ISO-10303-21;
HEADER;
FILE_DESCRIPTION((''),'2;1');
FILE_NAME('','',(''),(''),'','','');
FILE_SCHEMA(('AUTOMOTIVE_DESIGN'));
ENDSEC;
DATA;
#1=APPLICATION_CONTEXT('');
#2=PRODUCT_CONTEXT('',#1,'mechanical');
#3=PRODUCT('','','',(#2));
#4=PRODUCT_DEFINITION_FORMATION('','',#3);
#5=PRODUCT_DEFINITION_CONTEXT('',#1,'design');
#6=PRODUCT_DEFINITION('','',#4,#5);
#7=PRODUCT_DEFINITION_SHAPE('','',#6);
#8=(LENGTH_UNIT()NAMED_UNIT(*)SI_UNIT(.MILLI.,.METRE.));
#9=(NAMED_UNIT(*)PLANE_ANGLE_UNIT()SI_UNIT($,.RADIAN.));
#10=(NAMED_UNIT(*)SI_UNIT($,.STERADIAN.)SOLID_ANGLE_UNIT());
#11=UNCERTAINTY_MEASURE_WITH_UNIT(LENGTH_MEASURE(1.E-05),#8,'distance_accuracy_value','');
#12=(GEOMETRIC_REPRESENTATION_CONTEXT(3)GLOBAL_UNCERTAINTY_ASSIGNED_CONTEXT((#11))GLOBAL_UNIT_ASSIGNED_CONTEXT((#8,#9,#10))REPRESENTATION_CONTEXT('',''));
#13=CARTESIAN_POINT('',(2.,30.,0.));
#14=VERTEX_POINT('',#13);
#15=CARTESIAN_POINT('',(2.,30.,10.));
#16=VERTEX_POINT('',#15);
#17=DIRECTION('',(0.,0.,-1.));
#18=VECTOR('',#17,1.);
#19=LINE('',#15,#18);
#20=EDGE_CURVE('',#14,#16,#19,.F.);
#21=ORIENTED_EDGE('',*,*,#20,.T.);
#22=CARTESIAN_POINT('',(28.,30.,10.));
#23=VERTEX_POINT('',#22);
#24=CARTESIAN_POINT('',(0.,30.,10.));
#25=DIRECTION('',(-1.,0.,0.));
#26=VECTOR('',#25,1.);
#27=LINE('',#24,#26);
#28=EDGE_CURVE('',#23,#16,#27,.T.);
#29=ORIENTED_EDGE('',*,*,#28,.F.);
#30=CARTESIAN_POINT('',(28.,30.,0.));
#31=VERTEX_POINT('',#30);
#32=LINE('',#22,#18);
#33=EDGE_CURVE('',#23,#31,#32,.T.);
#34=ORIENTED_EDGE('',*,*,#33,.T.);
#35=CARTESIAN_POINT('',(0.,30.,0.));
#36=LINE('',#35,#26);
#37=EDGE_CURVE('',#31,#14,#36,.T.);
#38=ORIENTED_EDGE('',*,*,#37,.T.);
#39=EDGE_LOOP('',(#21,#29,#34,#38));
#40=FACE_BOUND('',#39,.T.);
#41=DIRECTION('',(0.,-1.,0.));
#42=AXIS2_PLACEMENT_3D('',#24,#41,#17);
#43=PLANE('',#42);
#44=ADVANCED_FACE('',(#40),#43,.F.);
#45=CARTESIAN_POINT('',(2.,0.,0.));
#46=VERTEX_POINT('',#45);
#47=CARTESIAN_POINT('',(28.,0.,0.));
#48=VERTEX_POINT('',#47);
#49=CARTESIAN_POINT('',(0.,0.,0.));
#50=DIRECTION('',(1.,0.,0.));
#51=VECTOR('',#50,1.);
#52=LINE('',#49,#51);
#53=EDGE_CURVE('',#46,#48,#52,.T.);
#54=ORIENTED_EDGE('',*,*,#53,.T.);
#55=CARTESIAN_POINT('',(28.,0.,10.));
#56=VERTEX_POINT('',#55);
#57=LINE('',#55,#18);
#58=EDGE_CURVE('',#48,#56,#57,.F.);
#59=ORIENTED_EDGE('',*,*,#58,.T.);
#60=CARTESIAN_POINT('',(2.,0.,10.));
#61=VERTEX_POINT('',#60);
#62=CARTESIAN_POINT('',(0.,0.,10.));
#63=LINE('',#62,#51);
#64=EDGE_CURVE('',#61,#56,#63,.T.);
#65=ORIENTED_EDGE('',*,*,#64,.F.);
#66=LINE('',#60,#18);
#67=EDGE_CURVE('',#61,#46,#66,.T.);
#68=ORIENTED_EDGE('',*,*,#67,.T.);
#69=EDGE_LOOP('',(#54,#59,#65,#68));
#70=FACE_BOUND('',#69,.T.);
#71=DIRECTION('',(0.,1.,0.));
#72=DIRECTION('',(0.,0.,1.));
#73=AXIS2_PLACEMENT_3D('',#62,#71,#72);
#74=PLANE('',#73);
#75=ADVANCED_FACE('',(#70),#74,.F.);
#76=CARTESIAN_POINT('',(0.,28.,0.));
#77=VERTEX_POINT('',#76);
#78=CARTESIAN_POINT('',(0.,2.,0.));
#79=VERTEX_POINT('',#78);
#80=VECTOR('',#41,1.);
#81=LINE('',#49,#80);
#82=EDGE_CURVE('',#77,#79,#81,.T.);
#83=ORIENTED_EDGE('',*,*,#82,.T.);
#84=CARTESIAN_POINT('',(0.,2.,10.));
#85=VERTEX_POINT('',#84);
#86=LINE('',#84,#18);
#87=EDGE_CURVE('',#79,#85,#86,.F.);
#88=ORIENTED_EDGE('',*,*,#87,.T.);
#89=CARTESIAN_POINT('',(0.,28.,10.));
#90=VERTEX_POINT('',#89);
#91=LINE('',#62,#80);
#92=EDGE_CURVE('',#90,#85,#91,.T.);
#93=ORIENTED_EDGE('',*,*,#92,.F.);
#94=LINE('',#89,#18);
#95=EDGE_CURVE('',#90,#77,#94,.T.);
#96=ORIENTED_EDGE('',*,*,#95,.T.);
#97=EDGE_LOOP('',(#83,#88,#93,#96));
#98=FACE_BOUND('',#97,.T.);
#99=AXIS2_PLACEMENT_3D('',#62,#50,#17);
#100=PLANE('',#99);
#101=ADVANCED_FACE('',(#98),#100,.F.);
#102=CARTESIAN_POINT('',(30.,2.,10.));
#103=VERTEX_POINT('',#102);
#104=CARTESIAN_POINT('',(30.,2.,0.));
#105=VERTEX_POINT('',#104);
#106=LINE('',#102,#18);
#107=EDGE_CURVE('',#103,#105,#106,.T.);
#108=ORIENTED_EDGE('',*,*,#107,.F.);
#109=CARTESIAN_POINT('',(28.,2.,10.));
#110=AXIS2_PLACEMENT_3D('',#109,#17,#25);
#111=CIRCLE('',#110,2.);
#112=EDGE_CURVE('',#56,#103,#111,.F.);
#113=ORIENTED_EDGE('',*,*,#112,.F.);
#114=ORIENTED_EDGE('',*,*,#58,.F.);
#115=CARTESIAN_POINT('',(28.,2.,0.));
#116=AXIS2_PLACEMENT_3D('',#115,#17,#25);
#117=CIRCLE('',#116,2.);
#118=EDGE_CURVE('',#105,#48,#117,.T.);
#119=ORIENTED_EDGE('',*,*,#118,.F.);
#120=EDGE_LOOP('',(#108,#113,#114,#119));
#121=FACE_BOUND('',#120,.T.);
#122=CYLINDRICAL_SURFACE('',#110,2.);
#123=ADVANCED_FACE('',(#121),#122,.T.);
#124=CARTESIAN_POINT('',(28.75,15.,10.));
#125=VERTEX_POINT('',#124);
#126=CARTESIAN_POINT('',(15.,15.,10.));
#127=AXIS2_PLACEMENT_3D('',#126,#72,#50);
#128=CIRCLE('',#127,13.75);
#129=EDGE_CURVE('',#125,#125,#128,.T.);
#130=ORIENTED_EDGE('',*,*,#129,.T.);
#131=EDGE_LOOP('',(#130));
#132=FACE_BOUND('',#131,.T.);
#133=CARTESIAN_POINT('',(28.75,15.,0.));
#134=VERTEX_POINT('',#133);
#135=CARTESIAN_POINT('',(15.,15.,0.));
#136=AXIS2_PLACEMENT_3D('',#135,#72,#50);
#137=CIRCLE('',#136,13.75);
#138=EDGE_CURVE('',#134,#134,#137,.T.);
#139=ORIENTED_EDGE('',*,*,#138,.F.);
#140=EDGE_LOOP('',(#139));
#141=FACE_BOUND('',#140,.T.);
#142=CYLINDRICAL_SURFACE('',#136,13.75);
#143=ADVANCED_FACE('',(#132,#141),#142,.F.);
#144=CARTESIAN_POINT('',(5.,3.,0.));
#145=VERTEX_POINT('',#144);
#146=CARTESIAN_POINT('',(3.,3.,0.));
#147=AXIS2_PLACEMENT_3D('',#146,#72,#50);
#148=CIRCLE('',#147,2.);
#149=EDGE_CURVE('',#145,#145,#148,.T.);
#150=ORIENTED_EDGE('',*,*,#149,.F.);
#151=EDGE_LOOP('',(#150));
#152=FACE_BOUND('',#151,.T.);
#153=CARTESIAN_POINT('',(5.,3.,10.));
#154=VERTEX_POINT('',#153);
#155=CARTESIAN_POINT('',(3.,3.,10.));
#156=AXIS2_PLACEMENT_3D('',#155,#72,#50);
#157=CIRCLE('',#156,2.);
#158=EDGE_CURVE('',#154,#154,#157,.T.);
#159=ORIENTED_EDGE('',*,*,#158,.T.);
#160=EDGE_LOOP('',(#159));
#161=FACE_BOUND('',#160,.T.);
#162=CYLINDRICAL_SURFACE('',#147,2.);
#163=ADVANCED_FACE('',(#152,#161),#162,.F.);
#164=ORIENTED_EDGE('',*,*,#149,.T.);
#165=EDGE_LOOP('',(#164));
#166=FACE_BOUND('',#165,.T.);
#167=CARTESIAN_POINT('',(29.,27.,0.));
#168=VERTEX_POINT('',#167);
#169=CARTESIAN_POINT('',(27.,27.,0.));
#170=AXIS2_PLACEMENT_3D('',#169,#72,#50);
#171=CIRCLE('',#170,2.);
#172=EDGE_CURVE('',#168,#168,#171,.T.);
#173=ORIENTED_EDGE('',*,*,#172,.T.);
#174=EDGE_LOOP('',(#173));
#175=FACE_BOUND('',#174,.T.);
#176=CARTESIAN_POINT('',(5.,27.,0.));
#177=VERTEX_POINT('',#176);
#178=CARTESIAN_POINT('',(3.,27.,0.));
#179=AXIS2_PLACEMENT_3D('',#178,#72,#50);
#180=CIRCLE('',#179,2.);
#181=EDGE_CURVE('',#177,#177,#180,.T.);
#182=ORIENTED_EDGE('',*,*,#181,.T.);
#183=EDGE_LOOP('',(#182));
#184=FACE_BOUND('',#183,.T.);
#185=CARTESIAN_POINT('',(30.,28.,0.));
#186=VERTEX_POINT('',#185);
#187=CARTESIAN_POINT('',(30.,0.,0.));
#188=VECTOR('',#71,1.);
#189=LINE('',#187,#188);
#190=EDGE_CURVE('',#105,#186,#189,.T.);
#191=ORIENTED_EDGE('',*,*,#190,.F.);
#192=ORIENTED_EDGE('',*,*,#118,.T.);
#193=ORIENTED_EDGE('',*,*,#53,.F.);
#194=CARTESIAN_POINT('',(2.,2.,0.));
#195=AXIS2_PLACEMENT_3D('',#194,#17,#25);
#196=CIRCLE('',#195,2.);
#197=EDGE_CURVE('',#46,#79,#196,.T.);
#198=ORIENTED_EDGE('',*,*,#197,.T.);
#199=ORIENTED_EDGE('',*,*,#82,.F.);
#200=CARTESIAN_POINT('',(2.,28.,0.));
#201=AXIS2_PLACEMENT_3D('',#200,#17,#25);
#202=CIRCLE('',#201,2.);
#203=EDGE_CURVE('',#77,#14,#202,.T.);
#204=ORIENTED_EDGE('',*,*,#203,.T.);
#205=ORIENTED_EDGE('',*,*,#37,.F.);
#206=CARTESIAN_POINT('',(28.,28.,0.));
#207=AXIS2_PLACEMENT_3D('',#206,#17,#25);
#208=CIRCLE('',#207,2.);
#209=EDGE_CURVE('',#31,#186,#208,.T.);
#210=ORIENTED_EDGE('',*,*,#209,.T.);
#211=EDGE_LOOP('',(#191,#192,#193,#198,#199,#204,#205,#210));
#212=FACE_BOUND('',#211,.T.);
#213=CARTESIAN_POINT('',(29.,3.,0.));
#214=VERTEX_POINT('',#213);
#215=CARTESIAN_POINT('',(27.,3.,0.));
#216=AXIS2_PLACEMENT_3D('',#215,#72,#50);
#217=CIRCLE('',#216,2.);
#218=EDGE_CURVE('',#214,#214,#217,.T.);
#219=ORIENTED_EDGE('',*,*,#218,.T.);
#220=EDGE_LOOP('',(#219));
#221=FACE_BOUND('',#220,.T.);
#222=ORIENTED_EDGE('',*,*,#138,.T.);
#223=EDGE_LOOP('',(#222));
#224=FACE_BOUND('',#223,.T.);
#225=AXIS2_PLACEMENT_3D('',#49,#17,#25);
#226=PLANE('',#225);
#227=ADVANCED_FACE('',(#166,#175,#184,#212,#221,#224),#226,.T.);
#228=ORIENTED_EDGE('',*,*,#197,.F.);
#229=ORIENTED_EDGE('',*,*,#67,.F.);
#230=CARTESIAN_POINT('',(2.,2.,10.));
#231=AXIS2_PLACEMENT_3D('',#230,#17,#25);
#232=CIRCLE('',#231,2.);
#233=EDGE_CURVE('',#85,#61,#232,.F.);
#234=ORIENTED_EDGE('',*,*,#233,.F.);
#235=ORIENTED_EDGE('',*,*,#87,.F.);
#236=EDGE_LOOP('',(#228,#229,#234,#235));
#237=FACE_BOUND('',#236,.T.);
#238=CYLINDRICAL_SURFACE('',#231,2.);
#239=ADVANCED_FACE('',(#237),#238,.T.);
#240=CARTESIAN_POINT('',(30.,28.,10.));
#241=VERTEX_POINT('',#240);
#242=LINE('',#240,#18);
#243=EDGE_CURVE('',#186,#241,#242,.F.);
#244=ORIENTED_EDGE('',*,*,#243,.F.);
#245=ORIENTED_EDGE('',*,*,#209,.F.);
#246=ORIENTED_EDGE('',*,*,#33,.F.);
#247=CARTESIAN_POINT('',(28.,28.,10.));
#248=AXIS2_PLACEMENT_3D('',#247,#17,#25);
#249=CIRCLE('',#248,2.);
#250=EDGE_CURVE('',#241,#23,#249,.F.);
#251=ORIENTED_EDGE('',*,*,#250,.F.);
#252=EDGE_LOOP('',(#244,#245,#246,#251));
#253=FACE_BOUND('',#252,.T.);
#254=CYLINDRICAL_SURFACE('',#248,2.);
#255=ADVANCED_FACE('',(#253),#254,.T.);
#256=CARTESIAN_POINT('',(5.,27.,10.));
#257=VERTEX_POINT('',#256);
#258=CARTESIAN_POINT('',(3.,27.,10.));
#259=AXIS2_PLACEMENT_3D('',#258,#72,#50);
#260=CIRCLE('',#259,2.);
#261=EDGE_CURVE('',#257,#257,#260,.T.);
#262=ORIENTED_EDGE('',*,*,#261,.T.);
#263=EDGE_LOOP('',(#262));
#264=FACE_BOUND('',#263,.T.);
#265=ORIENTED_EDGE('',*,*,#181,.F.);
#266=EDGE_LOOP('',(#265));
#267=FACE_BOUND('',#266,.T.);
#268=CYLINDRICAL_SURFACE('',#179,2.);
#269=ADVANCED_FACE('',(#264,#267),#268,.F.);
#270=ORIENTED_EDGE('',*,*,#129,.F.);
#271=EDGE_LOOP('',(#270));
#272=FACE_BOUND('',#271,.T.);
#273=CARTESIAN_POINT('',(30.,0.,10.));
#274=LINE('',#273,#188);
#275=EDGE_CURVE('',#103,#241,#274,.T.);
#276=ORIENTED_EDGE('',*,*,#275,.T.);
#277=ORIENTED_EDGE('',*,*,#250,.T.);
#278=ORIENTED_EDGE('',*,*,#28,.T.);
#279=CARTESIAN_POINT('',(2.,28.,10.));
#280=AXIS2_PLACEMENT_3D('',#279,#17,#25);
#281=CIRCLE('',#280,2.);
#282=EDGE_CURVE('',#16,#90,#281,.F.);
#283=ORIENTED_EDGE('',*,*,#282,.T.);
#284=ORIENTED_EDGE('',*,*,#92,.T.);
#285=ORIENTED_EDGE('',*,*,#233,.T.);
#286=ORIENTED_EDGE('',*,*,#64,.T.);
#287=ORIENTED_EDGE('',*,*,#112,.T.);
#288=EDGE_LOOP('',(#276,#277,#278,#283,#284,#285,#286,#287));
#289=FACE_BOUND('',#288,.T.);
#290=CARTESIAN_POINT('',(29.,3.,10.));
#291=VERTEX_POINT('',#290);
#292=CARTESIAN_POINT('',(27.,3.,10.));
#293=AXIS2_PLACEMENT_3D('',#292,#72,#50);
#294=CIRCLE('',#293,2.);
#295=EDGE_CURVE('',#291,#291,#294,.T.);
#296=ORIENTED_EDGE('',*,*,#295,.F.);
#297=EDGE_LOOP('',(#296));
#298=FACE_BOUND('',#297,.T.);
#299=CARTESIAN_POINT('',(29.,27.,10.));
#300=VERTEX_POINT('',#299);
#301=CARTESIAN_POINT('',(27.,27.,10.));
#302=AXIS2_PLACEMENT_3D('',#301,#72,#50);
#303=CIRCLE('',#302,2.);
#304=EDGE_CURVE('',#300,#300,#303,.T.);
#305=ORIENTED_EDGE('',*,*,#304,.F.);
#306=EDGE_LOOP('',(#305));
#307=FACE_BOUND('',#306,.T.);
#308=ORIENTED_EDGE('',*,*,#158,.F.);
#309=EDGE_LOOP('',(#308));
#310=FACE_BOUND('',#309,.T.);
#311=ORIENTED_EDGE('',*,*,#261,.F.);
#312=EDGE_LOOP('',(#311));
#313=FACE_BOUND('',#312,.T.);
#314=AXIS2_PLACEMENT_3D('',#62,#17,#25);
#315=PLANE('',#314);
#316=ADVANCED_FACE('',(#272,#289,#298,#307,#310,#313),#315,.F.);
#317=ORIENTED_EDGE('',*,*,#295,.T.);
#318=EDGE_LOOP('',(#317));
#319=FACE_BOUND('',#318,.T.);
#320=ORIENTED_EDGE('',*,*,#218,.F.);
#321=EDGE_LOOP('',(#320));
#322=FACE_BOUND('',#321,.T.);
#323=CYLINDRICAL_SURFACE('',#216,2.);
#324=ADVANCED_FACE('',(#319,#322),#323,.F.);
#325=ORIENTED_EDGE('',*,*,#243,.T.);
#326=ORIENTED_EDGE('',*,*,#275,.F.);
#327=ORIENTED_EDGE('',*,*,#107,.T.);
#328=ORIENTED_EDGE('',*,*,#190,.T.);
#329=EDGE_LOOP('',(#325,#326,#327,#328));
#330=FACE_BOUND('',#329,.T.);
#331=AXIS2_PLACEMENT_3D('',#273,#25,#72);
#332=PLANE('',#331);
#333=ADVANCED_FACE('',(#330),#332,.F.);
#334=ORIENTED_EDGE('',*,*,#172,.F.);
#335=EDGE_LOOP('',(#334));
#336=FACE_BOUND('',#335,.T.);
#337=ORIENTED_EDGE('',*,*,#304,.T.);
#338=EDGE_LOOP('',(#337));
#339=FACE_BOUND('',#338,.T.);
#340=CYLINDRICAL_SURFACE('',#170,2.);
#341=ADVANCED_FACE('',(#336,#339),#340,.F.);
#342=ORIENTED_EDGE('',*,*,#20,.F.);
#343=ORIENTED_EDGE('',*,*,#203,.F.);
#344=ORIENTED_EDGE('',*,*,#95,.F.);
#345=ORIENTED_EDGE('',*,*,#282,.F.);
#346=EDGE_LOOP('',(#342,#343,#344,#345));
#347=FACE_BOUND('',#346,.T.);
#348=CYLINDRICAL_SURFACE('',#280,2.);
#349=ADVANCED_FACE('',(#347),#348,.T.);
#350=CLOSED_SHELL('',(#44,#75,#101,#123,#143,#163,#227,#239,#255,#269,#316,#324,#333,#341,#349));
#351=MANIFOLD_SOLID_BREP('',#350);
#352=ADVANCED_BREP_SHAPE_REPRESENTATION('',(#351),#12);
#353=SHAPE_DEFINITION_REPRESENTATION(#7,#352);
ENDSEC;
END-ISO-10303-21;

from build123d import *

# Parameters (mm, degrees)
SKETCH1_W           = 30
SKETCH1_H           = 30
BOSS_EXTRUDE1_DEPTH = 10
SKETCH3_R           = 13.75
SKETCH3_R_2         = 2
CUT_EXTRUDE1_DEPTH  = 10
FILLET1_R           = 2


with BuildPart() as part:
    # Sketch1 → Boss-Extrude1 (new body)
    with BuildSketch(Plane.XY):
        with Locations((15, 15)):
            Rectangle(SKETCH1_W, SKETCH1_H)
    extrude(amount=BOSS_EXTRUDE1_DEPTH)

    # Sketch3 → Cut-Extrude1 (cut)
    with BuildSketch(Plane.XY.offset(10)):
        with Locations((15, 15)):
            Circle(SKETCH3_R)
        with Locations((3, 27)):
            Circle(SKETCH3_R_2)
        with Locations((3, 3)):
            Circle(SKETCH3_R_2)
        with Locations((27, 3)):
            Circle(SKETCH3_R_2)
        with Locations((27, 27)):
            Circle(SKETCH3_R_2)
    extrude(amount=-CUT_EXTRUDE1_DEPTH, mode=Mode.SUBTRACT)

    # Fillet1
    fillet1_edges = [part.edges().sort_by_distance(p)[0] for p in [
        (0, 30, 5),
        (30, 30, 5),
        (30, 0, 5),
        (0, 0, 5),
    ]]
    fillet(fillet1_edges, radius=FILLET1_R)


solid = part.part
